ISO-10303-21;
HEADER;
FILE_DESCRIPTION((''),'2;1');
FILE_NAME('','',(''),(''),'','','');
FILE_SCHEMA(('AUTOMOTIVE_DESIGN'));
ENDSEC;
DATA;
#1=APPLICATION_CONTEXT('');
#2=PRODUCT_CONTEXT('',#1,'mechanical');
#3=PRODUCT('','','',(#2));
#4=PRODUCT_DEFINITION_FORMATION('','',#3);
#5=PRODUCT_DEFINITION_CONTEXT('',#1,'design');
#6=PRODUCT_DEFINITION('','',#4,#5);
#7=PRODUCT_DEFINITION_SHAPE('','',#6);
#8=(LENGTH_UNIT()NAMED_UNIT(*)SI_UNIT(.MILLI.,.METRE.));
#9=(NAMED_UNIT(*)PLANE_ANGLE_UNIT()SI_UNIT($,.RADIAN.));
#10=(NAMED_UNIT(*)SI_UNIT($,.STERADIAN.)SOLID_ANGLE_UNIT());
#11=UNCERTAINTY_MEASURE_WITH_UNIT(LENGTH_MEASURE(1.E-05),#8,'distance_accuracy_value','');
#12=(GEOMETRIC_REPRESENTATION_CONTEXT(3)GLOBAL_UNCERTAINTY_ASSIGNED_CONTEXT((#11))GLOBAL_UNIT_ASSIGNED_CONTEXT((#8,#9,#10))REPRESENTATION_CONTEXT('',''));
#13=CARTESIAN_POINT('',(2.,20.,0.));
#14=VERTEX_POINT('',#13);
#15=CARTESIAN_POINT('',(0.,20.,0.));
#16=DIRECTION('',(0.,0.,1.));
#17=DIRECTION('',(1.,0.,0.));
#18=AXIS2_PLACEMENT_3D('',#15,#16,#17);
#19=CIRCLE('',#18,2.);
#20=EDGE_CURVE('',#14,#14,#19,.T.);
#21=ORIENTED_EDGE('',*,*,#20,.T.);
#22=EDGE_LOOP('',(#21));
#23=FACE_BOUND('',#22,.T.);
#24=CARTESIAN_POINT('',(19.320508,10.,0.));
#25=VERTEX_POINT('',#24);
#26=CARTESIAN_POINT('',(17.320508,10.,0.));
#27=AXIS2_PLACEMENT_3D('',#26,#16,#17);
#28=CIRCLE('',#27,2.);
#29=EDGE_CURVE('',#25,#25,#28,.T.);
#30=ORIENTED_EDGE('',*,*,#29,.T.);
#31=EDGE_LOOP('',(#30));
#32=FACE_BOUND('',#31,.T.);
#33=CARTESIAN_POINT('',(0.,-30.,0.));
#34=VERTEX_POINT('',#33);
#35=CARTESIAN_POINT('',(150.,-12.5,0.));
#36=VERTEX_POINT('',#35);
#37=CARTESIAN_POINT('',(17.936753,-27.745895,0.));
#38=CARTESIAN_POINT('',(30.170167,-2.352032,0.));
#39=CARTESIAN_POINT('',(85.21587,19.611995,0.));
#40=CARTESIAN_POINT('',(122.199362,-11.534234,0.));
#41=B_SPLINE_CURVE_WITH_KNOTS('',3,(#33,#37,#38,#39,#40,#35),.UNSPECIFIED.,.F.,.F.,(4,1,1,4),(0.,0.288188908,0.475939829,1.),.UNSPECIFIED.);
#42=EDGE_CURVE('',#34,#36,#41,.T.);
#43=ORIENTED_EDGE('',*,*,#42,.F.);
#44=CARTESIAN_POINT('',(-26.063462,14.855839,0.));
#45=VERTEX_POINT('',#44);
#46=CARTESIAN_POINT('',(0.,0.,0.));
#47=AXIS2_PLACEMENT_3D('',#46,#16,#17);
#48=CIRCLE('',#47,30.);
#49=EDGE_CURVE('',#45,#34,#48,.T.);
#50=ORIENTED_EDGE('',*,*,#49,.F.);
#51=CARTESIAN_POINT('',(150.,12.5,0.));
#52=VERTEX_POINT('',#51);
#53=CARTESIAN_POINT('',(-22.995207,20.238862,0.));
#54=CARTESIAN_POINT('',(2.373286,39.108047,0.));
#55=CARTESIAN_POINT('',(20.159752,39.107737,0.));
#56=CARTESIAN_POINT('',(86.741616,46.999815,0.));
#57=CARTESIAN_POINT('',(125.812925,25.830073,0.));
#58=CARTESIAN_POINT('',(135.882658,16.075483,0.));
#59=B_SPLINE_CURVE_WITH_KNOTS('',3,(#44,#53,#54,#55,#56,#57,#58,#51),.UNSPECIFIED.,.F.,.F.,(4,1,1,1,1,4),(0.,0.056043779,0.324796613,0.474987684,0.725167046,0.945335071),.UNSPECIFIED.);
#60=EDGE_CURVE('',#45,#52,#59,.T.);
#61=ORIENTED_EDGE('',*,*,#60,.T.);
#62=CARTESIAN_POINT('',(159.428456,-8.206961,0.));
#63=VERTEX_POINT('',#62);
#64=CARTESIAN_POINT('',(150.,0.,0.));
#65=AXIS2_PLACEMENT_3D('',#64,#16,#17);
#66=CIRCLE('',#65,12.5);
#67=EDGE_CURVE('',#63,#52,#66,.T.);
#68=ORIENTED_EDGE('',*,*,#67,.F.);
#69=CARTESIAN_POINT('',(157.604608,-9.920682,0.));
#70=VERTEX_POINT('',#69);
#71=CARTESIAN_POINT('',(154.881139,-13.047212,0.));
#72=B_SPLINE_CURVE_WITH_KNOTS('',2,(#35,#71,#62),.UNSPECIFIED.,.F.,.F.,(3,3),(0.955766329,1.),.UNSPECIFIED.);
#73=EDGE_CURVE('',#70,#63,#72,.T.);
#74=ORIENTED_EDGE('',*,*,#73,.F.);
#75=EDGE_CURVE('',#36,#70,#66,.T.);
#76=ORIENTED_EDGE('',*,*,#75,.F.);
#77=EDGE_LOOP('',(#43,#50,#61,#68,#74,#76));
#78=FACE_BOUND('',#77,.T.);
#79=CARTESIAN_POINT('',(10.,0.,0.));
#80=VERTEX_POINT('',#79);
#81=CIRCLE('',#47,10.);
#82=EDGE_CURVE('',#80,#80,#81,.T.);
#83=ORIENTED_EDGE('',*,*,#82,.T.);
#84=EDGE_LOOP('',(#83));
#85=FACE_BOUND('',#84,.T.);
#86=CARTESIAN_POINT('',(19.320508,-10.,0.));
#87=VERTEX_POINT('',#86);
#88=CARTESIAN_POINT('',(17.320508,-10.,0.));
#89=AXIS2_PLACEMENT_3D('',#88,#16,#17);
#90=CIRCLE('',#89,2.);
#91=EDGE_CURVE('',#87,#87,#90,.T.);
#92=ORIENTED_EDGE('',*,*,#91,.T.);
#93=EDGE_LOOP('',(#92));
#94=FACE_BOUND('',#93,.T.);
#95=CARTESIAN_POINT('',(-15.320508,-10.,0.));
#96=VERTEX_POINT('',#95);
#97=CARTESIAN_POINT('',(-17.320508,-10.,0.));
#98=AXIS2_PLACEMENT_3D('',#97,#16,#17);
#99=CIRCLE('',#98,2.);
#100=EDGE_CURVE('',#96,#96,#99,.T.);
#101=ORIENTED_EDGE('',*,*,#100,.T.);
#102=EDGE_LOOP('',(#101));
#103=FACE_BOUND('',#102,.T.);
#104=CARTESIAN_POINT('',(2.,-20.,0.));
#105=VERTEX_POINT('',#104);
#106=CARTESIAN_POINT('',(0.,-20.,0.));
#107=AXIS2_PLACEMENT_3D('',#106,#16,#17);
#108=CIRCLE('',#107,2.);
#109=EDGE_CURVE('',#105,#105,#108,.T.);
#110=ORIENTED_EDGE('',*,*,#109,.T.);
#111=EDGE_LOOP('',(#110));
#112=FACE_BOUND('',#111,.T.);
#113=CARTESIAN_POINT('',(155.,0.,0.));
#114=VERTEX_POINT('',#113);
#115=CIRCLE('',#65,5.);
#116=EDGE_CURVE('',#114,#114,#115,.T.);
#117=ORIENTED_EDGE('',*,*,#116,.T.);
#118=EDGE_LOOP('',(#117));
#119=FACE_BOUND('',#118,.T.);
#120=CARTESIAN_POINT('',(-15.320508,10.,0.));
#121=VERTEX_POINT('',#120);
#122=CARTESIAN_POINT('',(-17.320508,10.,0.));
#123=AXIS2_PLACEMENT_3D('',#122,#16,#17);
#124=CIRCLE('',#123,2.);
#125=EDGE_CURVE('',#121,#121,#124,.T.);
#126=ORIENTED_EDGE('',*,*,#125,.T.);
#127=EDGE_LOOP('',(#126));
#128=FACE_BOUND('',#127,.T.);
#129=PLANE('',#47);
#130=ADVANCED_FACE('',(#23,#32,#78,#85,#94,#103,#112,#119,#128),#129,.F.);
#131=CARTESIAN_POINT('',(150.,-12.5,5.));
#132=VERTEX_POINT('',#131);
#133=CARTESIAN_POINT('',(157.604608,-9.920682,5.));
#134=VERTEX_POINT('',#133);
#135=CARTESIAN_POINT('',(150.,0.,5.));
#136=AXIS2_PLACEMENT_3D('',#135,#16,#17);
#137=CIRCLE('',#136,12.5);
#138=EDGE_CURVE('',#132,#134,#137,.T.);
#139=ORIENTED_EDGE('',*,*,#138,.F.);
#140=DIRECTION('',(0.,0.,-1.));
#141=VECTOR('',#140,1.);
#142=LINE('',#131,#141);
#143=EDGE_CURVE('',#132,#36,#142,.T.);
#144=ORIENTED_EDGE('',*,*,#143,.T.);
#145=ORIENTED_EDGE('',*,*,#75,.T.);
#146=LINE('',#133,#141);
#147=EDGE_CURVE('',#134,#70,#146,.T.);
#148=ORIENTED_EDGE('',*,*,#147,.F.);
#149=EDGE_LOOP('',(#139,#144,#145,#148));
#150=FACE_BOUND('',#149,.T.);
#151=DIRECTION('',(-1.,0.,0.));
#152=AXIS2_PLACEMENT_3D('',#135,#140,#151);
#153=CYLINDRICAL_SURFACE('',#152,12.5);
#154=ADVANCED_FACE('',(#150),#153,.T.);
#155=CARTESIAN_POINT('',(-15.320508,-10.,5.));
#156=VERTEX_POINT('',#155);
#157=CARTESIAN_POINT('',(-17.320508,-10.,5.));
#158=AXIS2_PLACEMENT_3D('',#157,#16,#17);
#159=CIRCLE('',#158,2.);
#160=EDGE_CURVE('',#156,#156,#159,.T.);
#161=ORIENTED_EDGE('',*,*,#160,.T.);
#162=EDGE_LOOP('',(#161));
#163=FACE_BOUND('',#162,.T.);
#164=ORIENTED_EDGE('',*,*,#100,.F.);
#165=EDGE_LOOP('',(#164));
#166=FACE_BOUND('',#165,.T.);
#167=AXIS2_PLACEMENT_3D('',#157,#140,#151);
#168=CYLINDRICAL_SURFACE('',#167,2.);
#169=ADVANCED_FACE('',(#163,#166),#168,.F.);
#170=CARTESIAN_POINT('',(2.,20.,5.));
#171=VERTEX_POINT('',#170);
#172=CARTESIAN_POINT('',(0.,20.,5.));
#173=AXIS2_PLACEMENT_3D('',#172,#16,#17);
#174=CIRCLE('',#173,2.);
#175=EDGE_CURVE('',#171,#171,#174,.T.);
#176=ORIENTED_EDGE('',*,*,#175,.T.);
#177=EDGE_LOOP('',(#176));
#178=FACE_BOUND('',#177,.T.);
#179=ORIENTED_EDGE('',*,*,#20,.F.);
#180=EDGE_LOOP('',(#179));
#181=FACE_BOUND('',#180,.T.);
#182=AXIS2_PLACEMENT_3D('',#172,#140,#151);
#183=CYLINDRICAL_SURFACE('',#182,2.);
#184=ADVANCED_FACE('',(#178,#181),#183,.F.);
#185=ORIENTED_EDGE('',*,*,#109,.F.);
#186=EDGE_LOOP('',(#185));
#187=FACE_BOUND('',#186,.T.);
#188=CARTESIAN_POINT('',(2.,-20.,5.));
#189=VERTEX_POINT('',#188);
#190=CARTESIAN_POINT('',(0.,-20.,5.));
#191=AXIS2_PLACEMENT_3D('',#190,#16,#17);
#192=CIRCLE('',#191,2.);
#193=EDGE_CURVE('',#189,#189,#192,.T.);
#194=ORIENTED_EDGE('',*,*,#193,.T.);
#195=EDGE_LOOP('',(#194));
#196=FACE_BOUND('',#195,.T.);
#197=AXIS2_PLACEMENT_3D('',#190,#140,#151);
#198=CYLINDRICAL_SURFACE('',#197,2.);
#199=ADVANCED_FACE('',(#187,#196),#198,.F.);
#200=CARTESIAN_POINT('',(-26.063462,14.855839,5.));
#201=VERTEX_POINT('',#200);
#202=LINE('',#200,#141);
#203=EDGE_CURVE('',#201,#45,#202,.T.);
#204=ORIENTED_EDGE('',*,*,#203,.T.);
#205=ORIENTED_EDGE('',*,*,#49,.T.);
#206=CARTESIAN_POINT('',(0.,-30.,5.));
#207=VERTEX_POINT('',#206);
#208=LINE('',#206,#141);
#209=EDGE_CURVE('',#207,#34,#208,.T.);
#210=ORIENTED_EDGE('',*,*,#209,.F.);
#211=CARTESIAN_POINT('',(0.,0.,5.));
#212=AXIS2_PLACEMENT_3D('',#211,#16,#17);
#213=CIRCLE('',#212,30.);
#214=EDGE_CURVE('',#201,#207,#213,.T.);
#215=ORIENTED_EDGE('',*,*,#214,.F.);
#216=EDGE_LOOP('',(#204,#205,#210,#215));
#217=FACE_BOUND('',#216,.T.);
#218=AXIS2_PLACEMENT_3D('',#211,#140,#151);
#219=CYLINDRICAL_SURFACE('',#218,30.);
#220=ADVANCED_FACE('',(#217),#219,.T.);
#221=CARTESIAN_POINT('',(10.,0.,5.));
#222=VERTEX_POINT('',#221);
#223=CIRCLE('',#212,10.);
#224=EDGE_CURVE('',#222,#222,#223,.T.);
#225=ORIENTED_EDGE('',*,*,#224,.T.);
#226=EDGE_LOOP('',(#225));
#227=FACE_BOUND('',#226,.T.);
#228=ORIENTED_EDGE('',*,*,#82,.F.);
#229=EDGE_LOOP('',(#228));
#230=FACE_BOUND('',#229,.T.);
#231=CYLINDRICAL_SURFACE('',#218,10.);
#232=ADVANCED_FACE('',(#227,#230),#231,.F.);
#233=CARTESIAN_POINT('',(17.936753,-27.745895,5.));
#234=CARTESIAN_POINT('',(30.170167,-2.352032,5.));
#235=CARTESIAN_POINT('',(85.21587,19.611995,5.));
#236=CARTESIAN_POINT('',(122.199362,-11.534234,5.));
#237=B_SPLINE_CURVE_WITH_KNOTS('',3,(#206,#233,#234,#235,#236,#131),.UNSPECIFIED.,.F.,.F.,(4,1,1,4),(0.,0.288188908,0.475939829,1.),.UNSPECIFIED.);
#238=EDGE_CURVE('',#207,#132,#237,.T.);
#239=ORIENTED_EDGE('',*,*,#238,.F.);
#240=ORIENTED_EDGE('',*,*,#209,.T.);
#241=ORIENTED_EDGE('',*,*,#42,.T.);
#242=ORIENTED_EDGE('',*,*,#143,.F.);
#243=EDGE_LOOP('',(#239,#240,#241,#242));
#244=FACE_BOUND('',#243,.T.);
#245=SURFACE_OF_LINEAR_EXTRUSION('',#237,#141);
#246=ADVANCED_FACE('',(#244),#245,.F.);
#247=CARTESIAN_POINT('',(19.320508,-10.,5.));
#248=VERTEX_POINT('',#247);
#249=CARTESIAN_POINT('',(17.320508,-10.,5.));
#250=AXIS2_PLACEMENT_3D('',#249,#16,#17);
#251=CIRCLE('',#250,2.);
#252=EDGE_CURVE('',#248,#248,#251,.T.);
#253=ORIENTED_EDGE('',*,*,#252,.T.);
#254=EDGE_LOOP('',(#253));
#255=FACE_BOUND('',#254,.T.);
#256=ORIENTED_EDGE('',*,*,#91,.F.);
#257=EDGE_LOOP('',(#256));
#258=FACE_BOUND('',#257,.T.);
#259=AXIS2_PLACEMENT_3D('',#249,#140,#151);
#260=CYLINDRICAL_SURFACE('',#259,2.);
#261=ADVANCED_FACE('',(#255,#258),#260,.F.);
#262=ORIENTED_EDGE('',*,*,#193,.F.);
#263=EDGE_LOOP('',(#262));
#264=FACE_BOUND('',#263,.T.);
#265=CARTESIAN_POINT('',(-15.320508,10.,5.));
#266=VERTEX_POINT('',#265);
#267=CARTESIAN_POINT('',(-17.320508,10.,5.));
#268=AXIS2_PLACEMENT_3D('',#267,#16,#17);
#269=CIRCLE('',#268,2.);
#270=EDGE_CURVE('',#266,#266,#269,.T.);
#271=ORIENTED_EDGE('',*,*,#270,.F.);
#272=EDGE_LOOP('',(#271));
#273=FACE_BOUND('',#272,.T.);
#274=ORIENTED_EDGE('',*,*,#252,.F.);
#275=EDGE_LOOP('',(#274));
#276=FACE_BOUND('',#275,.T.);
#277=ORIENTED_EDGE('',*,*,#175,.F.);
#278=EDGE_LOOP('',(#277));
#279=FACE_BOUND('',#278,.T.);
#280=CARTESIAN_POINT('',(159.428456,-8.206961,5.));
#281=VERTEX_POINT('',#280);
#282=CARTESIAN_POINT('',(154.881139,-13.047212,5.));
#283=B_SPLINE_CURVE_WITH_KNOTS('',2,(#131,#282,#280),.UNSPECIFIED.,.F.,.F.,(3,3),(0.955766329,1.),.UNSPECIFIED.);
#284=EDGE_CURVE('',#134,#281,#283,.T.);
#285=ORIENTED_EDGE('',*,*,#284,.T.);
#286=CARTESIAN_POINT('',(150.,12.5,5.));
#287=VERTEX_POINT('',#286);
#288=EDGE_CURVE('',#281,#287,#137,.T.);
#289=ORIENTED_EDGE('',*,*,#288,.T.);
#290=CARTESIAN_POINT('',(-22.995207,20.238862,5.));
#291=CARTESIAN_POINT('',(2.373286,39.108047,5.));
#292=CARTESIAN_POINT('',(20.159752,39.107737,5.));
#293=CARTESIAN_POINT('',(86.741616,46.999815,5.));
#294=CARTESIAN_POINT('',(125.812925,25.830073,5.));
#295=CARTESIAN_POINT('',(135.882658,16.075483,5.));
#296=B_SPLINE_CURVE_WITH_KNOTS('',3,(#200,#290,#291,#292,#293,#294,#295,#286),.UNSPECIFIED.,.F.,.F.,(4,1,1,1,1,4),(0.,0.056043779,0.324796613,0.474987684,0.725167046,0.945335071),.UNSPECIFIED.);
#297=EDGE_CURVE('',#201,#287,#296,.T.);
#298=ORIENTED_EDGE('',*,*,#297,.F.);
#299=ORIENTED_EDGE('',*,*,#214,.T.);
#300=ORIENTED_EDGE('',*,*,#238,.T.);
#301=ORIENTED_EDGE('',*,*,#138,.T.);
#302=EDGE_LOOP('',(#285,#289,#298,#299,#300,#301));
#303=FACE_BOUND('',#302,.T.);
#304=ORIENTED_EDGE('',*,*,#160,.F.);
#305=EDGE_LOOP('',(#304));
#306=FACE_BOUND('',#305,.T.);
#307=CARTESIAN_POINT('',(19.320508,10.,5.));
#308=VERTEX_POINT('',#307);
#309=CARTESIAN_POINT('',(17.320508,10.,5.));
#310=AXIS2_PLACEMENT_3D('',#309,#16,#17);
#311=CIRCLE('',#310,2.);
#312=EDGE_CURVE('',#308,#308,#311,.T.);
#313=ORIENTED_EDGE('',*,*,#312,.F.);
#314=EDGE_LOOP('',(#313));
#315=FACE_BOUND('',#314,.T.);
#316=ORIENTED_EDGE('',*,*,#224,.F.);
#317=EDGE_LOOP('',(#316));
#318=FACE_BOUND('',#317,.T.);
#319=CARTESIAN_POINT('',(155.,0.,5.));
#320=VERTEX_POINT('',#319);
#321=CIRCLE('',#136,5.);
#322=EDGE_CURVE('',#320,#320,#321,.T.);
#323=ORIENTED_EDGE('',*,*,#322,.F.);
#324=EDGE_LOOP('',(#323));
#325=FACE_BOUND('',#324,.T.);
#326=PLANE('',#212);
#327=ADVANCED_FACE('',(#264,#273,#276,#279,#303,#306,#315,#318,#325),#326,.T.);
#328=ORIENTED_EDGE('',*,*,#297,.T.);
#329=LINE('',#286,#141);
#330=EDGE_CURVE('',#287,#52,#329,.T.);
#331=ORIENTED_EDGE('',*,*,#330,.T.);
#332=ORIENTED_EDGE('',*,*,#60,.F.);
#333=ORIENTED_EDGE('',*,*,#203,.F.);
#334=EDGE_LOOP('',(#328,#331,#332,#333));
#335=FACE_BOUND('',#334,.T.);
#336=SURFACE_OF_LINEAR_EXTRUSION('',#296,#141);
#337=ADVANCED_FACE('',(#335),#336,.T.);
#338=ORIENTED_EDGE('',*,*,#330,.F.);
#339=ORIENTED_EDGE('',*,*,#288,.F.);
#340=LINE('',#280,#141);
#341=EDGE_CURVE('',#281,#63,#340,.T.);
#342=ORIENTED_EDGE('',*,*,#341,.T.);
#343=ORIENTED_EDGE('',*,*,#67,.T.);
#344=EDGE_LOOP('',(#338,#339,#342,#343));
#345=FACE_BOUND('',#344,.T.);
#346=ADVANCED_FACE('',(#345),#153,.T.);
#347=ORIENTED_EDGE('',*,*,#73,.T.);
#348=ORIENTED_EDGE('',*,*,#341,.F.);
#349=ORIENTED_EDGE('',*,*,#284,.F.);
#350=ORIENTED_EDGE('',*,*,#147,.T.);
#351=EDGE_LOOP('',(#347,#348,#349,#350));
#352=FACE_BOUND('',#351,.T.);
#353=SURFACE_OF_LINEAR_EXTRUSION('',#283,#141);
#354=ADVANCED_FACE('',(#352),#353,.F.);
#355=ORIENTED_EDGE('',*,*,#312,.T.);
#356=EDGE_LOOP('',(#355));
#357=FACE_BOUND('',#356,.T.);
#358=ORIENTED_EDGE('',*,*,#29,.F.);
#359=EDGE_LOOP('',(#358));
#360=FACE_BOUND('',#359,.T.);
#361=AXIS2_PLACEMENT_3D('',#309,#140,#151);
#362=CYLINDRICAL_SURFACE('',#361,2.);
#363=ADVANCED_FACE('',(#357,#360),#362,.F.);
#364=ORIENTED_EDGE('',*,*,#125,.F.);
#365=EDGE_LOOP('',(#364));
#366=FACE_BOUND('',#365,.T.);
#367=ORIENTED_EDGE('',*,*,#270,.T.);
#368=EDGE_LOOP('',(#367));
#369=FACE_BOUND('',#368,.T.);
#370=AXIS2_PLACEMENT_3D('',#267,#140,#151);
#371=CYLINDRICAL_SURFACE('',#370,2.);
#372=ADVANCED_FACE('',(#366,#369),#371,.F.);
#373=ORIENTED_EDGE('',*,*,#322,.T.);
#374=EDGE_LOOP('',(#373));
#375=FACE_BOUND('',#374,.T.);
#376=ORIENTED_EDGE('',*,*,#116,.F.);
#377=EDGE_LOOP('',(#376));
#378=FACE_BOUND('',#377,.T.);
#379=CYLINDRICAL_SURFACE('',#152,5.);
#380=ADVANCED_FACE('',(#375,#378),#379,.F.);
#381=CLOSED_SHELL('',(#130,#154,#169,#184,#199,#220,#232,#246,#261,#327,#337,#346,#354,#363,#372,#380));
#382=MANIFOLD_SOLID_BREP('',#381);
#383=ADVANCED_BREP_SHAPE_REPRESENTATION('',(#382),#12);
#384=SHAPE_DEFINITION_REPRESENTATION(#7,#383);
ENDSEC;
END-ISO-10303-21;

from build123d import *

# Parameters (mm, degrees)
SKETCH1_R           = 5
SKETCH1_R_2         = 10
BOSS_EXTRUDE3_DEPTH = 5


with BuildPart() as part:
    # Sketch1 → Boss-Extrude3 (new body)
    with BuildSketch(Plane.XY):
        with BuildLine():
            add(Edge.make_bspline(
                [(-26.063461661, 14.855839466), (-22.995207495, 20.238862419), (-18.617864266, 23.494747377), (-14.633714845, 26.188821849)],
                knots=[0, 0, 0, 0, 0.056043779, 0.056043779, 0.056043779, 0.056043779], degree=3))
            ThreePointArc((-26.063461661, 14.855839466), (-25.939113169, -15.071907909), (0, -30))
            add(Edge.make_bspline(
                [(0, -30), (17.93675339, -27.745895163), (30.170167076, -2.352031791), (85.215870065, 19.611994815), (122.19936238, -11.53423425), (150, -12.5)],
                knots=[0, 0, 0, 0, 0.288188908, 0.475939829, 1, 1, 1, 1], degree=3))
            ThreePointArc((150, -12.5), (154.015063849, -11.837620635), (157.604608427, -9.920681966))
            add(Edge.make_bspline(
                [(157.604608427, -9.920681966), (158.523147842, -9.170588579), (159.428456142, -8.206961361)],
                knots=[0.991193685, 0.991193685, 0.991193685, 1, 1, 1], degree=2))
            ThreePointArc((159.428456142, -8.206961361), (162.5, 0), (159.428456142, 8.206961361))
            ThreePointArc((159.428456142, 8.206961361), (159.074763389, 8.59643353), (158.704995258, 8.970677653))
            ThreePointArc((158.704995258, 8.970677653), (154.696622688, 11.584115647), (150, 12.5))
            add(Edge.make_bspline(
                [(-14.633714845, 26.188821849), (4.471910737, 39.10801054), (20.159751535, 39.107737434), (86.741615763, 46.999815307), (125.812924925, 25.830072722), (135.882657692, 16.075482759), (150, 12.5)],
                knots=[0.056043779, 0.056043779, 0.056043779, 0.056043779, 0.324796613, 0.474987684, 0.725167046, 0.945335071, 0.945335071, 0.945335071, 0.945335071], degree=3))
        make_face()
        with BuildLine():
            ThreePointArc((18.232654753, 8.220115611), (19.553172314, 4.203980551), (20, 0))
            ThreePointArc((20, 0), (19.553172314, -4.203980551), (18.232654753, -8.220115611))
            ThreePointArc((18.232654753, -8.220115611), (19.027009373, -8.956997928), (19.320508076, -10))
            ThreePointArc((19.320508076, -10), (18.276880515, -11.756516939), (16.235156318, -11.679884389))
            ThreePointArc((16.235156318, -11.679884389), (10, -17.320508076), (1.997498436, -19.9))
            ThreePointArc((1.997498436, -19.9), (1.999374511, -19.949984358), (2, -20))
            ThreePointArc((2, -20), (-0.050015642, -21.999374511), (-1.997498436, -19.9))
            ThreePointArc((-1.997498436, -19.9), (-10, -17.320508076), (-16.235156318, -11.679884389))
            ThreePointArc((-16.235156318, -11.679884389), (-19.052558883, -11), (-18.232654753, -8.220115611))
            ThreePointArc((-18.232654753, -8.220115611), (-20, 0), (-18.232654753, 8.220115611))
            ThreePointArc((-18.232654753, 8.220115611), (-19.052558883, 11), (-16.235156318, 11.679884389))
            ThreePointArc((-16.235156318, 11.679884389), (-10, 17.320508076), (-1.997498436, 19.9))
            ThreePointArc((-1.997498436, 19.9), (-0.050015642, 21.999374511), (2, 20))
            ThreePointArc((2, 20), (1.999374511, 19.949984358), (1.997498436, 19.9))
            ThreePointArc((1.997498436, 19.9), (10, 17.320508076), (16.235156318, 11.679884389))
            ThreePointArc((16.235156318, 11.679884389), (18.276880515, 11.756516939), (19.320508076, 10))
            ThreePointArc((19.320508076, 10), (19.027009373, 8.956997928), (18.232654753, 8.220115611))
        make_face(mode=Mode.SUBTRACT)
        with Locations((150, 0)):
            Circle(SKETCH1_R, mode=Mode.SUBTRACT)
        with BuildLine():
            ThreePointArc((18.232654753, -8.220115611), (19.553172314, -4.203980551), (20, 0))
            ThreePointArc((20, 0), (19.553172314, 4.203980551), (18.232654753, 8.220115611))
            ThreePointArc((18.232654753, 8.220115611), (15.588457268, 9), (16.235156318, 11.679884389))
            ThreePointArc((16.235156318, 11.679884389), (10, 17.320508076), (1.997498436, 19.9))
            ThreePointArc((1.997498436, 19.9), (0, 18), (-1.997498436, 19.9))
            ThreePointArc((-1.997498436, 19.9), (-10, 17.320508076), (-16.235156318, 11.679884389))
            ThreePointArc((-16.235156318, 11.679884389), (-15.563991136, 10.956372439), (-15.320508076, 10))
            ThreePointArc((-15.320508076, 10), (-16.277506003, 8.293498703), (-18.232654753, 8.220115611))
            ThreePointArc((-18.232654753, 8.220115611), (-20, 0), (-18.232654753, -8.220115611))
            ThreePointArc((-18.232654753, -8.220115611), (-16.277506003, -8.293498703), (-15.320508076, -10))
            ThreePointArc((-15.320508076, -10), (-15.563991136, -10.956372439), (-16.235156318, -11.679884389))
            ThreePointArc((-16.235156318, -11.679884389), (-10, -17.320508076), (-1.997498436, -19.9))
            ThreePointArc((-1.997498436, -19.9), (0, -18), (1.997498436, -19.9))
            ThreePointArc((1.997498436, -19.9), (10, -17.320508076), (16.235156318, -11.679884389))
            ThreePointArc((16.235156318, -11.679884389), (15.588457268, -9), (18.232654753, -8.220115611))
        make_face()
        Circle(SKETCH1_R_2, mode=Mode.SUBTRACT)
    extrude(amount=BOSS_EXTRUDE3_DEPTH)


solid = part.part
